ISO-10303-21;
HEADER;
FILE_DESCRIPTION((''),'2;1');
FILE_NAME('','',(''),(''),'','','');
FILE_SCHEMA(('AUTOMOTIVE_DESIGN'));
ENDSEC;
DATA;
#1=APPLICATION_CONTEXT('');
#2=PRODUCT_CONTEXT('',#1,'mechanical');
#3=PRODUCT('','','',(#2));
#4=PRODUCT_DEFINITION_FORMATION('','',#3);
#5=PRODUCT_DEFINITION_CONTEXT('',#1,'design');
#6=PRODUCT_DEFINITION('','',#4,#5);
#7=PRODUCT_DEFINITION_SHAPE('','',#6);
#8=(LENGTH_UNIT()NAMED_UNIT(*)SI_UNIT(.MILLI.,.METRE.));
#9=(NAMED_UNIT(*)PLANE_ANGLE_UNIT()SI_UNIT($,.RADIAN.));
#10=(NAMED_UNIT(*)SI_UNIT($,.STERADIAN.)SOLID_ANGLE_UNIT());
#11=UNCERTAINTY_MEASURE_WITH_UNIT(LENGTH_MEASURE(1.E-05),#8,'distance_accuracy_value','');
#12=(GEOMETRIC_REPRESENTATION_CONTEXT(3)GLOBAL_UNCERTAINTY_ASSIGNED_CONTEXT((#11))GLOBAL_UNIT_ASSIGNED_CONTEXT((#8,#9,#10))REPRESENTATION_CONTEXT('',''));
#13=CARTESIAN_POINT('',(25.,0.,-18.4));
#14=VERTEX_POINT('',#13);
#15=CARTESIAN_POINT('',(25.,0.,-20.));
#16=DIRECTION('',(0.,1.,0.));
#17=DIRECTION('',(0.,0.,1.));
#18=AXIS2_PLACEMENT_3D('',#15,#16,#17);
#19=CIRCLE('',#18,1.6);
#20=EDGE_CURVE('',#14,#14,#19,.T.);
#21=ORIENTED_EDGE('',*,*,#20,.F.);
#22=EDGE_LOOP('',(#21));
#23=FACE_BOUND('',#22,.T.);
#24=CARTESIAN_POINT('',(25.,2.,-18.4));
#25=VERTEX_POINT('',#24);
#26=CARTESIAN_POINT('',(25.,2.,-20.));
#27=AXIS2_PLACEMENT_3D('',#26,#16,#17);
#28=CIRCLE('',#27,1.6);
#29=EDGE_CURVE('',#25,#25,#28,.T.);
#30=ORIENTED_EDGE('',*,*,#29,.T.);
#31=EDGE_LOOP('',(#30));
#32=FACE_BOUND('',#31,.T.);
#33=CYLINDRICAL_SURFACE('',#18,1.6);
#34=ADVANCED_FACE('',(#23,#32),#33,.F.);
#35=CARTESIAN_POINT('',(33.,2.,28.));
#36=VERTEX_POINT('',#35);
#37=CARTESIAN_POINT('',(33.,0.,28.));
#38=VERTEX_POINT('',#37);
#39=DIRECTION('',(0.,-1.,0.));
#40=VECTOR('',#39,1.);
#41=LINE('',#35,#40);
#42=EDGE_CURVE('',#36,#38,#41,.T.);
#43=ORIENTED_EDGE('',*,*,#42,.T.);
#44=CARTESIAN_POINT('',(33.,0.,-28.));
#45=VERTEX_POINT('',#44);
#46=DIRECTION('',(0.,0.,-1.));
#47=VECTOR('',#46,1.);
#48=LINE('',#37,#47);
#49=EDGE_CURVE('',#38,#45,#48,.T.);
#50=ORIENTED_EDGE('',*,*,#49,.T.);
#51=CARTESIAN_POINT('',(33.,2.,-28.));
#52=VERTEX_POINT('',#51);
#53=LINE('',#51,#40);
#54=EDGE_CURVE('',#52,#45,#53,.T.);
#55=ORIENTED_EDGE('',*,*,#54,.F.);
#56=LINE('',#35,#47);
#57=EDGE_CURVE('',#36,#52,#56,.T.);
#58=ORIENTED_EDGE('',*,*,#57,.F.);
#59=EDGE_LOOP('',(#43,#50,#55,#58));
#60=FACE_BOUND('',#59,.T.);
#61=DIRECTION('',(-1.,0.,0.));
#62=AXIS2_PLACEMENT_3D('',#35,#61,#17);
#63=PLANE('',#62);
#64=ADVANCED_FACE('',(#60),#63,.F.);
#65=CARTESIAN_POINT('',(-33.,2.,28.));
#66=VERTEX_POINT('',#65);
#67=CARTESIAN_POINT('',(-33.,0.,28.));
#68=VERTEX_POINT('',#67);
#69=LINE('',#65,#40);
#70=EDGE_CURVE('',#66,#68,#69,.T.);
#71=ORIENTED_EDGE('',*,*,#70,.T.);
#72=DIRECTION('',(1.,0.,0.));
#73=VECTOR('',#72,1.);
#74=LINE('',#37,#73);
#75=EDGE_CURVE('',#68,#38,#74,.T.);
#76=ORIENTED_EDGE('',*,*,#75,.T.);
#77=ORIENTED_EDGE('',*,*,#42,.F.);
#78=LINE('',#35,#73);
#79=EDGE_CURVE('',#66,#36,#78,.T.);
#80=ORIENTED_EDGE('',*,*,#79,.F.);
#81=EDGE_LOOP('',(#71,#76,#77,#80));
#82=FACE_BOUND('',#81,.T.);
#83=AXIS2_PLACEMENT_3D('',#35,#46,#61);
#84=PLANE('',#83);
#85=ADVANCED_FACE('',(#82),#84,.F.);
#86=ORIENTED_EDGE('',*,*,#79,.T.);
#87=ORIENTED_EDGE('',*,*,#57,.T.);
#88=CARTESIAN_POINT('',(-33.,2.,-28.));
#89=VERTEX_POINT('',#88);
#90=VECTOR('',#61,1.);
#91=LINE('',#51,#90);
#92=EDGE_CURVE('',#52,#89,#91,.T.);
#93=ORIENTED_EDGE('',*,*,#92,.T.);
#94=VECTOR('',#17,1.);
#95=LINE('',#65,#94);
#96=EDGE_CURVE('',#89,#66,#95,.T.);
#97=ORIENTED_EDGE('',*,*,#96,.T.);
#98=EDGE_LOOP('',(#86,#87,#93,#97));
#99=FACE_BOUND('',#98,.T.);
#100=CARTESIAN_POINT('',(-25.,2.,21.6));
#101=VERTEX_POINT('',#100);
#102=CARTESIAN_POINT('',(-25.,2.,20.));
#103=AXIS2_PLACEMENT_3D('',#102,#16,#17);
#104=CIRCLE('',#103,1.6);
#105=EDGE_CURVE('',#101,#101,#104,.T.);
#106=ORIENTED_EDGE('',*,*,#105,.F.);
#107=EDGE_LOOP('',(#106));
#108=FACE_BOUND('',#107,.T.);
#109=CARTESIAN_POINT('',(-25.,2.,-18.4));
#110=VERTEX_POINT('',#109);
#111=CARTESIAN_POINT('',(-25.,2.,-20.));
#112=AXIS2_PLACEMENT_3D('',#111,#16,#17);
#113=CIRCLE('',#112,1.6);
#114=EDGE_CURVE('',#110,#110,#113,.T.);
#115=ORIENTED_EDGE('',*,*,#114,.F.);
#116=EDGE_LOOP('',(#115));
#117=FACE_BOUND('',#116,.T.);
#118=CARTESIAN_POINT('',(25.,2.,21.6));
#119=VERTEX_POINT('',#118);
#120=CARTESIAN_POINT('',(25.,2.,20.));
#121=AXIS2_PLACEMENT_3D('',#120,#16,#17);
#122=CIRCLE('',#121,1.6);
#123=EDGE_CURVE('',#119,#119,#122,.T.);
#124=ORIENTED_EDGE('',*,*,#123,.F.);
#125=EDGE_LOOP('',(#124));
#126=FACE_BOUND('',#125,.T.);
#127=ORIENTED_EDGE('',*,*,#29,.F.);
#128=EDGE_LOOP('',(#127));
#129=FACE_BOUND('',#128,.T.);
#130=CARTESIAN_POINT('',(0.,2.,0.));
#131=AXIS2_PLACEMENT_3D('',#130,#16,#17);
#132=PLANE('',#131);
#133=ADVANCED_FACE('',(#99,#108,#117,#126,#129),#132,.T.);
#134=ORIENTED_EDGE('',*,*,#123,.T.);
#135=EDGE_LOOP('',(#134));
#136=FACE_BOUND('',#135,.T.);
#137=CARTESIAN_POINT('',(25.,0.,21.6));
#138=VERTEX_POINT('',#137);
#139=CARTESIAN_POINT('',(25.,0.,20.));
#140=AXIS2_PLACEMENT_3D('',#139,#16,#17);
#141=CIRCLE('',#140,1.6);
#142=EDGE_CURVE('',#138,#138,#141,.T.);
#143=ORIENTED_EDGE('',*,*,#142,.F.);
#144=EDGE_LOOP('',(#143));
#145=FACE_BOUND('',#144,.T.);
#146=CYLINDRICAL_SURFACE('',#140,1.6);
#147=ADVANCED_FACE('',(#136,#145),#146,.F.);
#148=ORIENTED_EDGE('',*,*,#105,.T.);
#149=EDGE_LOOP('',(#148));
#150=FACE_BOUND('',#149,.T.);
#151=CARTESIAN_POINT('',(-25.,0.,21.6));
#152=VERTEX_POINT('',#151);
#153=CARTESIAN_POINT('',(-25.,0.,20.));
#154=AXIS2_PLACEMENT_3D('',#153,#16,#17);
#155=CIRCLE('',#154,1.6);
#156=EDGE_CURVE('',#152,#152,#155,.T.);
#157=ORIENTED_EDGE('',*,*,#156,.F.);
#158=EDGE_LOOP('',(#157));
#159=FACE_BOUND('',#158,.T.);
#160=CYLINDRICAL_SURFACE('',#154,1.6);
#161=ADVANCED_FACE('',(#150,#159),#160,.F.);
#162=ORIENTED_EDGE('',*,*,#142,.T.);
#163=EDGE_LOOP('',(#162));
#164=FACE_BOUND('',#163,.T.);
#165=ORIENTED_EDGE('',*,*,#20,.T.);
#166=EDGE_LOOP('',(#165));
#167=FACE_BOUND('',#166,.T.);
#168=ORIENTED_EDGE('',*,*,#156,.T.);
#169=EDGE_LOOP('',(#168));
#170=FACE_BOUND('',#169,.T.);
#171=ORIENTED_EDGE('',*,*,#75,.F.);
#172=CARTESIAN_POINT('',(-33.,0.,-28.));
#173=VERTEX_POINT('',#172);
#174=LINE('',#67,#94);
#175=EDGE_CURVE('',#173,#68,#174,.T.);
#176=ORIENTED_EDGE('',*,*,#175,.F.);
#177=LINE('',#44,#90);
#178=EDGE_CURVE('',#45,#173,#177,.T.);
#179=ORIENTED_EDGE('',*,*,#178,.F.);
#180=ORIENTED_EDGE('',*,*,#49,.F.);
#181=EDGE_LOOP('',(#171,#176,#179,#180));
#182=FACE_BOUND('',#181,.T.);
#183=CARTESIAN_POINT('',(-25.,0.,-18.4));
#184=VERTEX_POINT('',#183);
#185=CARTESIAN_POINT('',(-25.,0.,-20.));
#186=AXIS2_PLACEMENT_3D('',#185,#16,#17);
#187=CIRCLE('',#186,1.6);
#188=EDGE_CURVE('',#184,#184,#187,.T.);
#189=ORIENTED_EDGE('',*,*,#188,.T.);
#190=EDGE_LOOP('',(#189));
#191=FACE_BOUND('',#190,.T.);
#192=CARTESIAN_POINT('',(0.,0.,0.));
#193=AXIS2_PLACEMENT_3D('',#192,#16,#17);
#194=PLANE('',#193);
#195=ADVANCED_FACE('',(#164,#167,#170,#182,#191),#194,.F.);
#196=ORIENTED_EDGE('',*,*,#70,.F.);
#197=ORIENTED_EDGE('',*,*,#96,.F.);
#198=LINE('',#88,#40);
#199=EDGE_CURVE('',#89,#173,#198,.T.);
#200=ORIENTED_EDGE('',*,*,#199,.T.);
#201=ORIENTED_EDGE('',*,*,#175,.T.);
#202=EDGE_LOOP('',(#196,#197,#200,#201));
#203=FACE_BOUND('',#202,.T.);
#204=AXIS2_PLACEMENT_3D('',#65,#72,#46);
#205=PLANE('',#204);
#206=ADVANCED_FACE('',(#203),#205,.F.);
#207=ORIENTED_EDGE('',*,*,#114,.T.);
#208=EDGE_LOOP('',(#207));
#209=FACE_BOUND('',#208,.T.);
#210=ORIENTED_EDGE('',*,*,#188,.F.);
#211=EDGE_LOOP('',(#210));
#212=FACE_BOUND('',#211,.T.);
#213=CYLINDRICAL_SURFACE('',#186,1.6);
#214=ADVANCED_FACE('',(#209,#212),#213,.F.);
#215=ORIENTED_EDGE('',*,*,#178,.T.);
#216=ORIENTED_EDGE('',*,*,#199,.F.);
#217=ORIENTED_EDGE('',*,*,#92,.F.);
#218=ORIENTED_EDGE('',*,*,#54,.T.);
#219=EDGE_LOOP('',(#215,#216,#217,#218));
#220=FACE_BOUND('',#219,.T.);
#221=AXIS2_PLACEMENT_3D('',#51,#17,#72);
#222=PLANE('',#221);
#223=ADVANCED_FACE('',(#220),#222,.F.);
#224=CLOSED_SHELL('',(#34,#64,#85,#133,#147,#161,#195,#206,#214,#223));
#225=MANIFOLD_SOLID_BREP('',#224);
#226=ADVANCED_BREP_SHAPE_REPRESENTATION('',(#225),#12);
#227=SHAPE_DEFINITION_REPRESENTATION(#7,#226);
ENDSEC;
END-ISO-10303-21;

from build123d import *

# Parameters (mm, degrees)
SKETCH_1_W                  = 66
SKETCH_1_H                  = 56
EXTRUDE_1_DEPTH             = 2
SKETCH_2_R                  = 1.6
CUT_EXTRUDE_1_DEPTH         = 2
PATTERN_LINEAR_1_COUNT      = 2
PATTERN_LINEAR_1_PITCH      = 50
PATTERN_LINEAR_1_COUNT_DIR2 = 2
PATTERN_LINEAR_1_PITCH_DIR2 = 40


with BuildPart() as part:
    # 草图1 → 凸台-拉伸1 (new body)
    with BuildSketch(Plane(origin=(0, 0, 0), x_dir=(1, 0, 0), z_dir=(0, 1, 0))):
        Rectangle(SKETCH_1_W, SKETCH_1_H)
    extrude(amount=EXTRUDE_1_DEPTH)

    # 草图2 → 切除-拉伸1 (cut)
    with BuildSketch(Plane(origin=(0, 2, 0), x_dir=(1, 0, 0), z_dir=(0, 1, 0))):
        with Locations(Location((-25, 20, 0), (0, 0, 270))):
            Circle(SKETCH_2_R)
    cut_extrude_1 = extrude(amount=-CUT_EXTRUDE_1_DEPTH, mode=Mode.SUBTRACT)

    # 阵列(线性)1: Cut-Extrude 1 2 × 2
    with Locations(*[(i * PATTERN_LINEAR_1_PITCH, 0, j * PATTERN_LINEAR_1_PITCH_DIR2) for i in range(PATTERN_LINEAR_1_COUNT) for j in range(PATTERN_LINEAR_1_COUNT_DIR2) if (i, j) != (0, 0)]):
        add(cut_extrude_1, mode=Mode.SUBTRACT)


solid = part.part
